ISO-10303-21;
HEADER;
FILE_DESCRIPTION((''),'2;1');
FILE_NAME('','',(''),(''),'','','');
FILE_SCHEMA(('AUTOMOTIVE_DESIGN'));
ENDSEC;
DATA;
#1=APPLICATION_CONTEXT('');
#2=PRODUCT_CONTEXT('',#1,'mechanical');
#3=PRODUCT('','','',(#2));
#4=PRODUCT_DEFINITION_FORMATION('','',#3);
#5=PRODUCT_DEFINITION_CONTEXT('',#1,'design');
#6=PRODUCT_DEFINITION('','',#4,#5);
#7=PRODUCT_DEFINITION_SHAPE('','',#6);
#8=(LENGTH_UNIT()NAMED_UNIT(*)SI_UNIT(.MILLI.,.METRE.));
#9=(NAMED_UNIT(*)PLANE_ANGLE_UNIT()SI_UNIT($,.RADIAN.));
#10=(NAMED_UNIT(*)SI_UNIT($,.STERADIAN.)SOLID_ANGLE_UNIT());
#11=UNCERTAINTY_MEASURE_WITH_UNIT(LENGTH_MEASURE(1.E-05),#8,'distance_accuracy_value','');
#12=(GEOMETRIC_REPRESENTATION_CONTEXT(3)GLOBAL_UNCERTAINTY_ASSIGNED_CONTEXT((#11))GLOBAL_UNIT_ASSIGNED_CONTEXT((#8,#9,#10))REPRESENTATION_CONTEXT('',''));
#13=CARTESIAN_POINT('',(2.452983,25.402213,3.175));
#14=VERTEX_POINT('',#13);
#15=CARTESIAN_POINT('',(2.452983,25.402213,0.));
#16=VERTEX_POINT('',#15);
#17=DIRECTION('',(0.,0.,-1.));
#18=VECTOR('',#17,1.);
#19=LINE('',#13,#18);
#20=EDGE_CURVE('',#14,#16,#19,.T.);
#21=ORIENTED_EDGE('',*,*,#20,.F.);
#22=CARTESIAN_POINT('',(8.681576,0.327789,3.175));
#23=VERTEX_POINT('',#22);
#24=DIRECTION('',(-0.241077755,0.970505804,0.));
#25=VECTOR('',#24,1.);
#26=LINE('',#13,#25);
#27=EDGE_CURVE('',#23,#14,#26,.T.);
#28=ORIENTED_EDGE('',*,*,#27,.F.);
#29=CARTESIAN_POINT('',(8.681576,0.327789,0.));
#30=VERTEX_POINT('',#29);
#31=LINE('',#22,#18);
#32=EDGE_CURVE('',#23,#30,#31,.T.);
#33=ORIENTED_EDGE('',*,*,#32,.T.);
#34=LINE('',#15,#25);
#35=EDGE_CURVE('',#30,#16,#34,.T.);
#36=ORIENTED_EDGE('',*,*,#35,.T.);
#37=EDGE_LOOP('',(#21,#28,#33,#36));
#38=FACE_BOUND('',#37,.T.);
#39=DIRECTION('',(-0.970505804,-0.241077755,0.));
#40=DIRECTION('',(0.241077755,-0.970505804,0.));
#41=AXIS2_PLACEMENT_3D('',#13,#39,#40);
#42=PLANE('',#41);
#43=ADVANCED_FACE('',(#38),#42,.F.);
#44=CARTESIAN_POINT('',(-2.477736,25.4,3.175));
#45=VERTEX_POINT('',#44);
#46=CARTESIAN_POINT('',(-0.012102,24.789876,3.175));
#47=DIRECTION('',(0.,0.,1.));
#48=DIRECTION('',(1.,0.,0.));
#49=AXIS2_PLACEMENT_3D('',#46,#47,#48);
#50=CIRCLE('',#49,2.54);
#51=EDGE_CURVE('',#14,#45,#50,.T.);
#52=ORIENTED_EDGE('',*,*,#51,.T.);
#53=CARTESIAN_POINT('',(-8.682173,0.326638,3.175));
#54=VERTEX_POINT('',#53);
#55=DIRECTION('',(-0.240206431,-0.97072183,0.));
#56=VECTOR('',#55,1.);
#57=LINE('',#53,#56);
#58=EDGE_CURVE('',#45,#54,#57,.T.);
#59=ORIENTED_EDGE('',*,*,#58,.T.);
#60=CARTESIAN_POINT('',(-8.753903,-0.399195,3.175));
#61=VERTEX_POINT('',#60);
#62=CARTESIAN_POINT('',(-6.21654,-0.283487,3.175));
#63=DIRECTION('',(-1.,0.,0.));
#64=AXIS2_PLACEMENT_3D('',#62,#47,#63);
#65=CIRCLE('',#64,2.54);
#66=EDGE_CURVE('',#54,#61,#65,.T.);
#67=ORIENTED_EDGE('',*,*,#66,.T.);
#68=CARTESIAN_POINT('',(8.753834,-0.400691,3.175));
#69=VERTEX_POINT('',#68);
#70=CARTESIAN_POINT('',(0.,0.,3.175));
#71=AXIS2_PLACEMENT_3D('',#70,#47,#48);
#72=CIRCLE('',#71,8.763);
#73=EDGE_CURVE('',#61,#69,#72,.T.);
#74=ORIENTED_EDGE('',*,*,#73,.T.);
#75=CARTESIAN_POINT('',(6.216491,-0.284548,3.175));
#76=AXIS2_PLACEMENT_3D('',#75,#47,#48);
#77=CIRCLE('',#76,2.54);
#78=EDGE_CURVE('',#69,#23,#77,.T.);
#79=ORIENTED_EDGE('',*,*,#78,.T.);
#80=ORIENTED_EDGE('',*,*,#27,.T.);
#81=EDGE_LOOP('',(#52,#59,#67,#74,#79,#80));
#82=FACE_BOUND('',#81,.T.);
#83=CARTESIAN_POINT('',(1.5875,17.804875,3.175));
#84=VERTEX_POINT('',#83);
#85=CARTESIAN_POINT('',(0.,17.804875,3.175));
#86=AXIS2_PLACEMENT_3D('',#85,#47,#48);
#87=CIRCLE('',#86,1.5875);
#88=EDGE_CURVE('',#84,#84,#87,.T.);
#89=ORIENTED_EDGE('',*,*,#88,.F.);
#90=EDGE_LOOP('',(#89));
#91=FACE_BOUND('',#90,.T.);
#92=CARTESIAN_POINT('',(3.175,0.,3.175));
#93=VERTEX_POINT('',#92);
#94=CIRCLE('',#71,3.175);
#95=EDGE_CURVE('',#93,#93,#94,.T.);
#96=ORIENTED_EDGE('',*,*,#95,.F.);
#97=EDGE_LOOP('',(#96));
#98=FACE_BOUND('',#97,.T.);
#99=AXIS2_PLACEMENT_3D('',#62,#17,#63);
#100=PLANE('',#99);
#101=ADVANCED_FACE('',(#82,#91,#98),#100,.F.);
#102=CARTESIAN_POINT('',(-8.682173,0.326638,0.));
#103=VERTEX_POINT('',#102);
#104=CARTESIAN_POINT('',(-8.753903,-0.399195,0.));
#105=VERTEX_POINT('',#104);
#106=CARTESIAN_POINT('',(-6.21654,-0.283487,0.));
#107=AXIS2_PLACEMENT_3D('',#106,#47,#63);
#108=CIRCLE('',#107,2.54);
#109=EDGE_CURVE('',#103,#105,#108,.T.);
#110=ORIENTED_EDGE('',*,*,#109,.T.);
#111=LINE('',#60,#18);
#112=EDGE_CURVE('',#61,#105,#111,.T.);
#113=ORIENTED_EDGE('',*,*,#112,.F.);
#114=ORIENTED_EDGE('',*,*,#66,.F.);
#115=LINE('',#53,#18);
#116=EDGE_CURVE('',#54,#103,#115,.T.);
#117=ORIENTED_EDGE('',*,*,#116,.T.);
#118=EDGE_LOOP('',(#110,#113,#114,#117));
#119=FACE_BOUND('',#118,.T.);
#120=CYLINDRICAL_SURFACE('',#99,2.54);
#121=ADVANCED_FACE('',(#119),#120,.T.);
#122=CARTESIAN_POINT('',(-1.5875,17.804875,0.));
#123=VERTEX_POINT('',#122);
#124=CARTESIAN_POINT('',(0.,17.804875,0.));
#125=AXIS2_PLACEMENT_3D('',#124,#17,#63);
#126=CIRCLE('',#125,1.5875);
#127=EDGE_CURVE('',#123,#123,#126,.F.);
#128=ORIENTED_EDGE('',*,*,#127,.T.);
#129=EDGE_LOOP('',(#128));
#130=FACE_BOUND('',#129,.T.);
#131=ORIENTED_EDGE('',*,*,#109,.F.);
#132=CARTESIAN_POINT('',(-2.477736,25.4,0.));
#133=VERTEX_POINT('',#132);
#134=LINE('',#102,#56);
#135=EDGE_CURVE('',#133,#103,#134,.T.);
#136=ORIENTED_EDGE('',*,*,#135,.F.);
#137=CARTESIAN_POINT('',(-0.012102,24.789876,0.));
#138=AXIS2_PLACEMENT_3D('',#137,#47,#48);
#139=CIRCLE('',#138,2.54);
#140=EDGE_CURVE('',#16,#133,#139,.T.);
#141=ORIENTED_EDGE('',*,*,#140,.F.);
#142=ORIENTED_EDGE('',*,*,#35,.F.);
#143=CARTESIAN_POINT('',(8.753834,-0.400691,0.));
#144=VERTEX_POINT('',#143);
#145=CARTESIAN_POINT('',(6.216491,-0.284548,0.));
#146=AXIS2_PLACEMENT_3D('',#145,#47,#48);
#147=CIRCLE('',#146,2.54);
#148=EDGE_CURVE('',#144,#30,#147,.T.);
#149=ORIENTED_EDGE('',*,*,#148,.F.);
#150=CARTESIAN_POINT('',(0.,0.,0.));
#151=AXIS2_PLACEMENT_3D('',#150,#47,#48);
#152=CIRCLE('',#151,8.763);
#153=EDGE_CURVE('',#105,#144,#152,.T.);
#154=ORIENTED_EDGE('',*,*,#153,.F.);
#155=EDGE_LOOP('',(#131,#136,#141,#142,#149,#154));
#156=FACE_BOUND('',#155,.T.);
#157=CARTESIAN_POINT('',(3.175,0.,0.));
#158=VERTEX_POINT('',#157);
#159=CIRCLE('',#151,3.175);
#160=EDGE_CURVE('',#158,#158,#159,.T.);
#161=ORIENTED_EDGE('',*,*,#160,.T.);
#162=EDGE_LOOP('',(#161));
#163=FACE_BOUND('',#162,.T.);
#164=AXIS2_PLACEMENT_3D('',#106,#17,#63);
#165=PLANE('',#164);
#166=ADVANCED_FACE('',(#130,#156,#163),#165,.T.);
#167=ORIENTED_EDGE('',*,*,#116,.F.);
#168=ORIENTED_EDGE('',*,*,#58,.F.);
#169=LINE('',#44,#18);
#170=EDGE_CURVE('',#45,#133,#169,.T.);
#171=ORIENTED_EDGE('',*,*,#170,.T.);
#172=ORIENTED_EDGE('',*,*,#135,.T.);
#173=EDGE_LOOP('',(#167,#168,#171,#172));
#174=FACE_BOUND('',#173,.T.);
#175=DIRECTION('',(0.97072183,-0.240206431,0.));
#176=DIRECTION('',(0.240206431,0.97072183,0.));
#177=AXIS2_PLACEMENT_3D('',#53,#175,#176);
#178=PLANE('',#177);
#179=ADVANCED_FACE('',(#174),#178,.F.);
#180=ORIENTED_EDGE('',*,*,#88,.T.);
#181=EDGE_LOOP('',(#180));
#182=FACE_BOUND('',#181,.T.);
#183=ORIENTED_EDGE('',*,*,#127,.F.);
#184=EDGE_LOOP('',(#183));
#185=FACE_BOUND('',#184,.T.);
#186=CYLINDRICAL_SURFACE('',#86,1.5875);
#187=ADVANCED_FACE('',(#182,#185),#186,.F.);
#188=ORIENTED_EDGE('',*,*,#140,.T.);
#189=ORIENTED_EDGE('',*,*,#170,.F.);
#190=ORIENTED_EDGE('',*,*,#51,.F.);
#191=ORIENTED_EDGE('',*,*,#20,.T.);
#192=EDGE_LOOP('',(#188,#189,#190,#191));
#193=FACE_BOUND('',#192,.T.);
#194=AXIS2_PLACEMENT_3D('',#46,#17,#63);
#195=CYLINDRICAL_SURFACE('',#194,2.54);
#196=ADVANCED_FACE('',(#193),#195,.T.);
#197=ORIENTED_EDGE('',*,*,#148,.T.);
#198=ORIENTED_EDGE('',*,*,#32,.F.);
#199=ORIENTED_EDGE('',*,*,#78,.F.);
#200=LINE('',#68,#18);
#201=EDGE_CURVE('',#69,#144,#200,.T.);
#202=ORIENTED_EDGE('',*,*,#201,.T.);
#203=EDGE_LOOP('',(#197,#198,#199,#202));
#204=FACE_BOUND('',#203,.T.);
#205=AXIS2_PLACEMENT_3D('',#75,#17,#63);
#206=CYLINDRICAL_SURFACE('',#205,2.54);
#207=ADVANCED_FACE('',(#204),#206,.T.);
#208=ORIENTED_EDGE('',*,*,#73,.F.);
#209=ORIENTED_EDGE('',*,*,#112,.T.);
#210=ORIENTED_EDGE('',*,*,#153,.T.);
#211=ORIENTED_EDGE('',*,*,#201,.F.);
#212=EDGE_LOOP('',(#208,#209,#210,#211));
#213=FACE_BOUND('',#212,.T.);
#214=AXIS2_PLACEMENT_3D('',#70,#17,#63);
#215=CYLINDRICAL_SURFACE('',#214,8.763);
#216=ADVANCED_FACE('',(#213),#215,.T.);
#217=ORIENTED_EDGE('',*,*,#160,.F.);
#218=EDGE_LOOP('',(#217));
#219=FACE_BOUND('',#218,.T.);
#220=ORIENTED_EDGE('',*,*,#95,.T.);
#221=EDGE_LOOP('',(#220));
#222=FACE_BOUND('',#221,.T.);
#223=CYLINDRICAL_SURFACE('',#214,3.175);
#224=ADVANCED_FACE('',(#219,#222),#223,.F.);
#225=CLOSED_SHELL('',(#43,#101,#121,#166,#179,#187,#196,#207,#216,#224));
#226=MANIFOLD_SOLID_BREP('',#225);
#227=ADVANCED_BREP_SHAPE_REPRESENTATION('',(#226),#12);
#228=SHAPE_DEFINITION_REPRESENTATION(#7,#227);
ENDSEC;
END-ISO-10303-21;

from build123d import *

# Parameters (mm, degrees)
SKETCH1_R                    = 3.175
BOSS_EXTRUDE1_DEPTH          = 3.175
F_1_8_0_125_DIAMETER_HOLE1_D = 3.175


with BuildPart() as part:
    # Sketch1 → Boss-Extrude1 (new body)
    with BuildSketch(Plane.XY):
        with BuildLine():
            Line((-8.682173031, 0.326637814), (-2.477735609, 25.4))
            ThreePointArc((-2.477735609, 25.4), (-0.013242247, 27.329875409), (2.45298258, 25.402213164))
            Line((2.45298258, 25.402213164), (8.681575809, 0.327789055))
            ThreePointArc((8.681575809, 0.327789055), (8.744087205, -0.033833939), (8.753834359, -0.400690665))
            ThreePointArc((8.753834359, -0.400690665), (-0.00074846, -8.762999968), (-8.753902679, -0.399195305))
            ThreePointArc((-8.753902679, -0.399195305), (-8.744226674, -0.033690664), (-8.682173031, 0.326637814))
        make_face()
        Circle(SKETCH1_R, mode=Mode.SUBTRACT)
    extrude(amount=BOSS_EXTRUDE1_DEPTH)

    # 1/8 (0.125) Diameter Hole1 (through all)
    with Locations(Plane.XY.offset(3.175)):
        with Locations((0, 17.804875409)):
            Hole(F_1_8_0_125_DIAMETER_HOLE1_D / 2)


solid = part.part
